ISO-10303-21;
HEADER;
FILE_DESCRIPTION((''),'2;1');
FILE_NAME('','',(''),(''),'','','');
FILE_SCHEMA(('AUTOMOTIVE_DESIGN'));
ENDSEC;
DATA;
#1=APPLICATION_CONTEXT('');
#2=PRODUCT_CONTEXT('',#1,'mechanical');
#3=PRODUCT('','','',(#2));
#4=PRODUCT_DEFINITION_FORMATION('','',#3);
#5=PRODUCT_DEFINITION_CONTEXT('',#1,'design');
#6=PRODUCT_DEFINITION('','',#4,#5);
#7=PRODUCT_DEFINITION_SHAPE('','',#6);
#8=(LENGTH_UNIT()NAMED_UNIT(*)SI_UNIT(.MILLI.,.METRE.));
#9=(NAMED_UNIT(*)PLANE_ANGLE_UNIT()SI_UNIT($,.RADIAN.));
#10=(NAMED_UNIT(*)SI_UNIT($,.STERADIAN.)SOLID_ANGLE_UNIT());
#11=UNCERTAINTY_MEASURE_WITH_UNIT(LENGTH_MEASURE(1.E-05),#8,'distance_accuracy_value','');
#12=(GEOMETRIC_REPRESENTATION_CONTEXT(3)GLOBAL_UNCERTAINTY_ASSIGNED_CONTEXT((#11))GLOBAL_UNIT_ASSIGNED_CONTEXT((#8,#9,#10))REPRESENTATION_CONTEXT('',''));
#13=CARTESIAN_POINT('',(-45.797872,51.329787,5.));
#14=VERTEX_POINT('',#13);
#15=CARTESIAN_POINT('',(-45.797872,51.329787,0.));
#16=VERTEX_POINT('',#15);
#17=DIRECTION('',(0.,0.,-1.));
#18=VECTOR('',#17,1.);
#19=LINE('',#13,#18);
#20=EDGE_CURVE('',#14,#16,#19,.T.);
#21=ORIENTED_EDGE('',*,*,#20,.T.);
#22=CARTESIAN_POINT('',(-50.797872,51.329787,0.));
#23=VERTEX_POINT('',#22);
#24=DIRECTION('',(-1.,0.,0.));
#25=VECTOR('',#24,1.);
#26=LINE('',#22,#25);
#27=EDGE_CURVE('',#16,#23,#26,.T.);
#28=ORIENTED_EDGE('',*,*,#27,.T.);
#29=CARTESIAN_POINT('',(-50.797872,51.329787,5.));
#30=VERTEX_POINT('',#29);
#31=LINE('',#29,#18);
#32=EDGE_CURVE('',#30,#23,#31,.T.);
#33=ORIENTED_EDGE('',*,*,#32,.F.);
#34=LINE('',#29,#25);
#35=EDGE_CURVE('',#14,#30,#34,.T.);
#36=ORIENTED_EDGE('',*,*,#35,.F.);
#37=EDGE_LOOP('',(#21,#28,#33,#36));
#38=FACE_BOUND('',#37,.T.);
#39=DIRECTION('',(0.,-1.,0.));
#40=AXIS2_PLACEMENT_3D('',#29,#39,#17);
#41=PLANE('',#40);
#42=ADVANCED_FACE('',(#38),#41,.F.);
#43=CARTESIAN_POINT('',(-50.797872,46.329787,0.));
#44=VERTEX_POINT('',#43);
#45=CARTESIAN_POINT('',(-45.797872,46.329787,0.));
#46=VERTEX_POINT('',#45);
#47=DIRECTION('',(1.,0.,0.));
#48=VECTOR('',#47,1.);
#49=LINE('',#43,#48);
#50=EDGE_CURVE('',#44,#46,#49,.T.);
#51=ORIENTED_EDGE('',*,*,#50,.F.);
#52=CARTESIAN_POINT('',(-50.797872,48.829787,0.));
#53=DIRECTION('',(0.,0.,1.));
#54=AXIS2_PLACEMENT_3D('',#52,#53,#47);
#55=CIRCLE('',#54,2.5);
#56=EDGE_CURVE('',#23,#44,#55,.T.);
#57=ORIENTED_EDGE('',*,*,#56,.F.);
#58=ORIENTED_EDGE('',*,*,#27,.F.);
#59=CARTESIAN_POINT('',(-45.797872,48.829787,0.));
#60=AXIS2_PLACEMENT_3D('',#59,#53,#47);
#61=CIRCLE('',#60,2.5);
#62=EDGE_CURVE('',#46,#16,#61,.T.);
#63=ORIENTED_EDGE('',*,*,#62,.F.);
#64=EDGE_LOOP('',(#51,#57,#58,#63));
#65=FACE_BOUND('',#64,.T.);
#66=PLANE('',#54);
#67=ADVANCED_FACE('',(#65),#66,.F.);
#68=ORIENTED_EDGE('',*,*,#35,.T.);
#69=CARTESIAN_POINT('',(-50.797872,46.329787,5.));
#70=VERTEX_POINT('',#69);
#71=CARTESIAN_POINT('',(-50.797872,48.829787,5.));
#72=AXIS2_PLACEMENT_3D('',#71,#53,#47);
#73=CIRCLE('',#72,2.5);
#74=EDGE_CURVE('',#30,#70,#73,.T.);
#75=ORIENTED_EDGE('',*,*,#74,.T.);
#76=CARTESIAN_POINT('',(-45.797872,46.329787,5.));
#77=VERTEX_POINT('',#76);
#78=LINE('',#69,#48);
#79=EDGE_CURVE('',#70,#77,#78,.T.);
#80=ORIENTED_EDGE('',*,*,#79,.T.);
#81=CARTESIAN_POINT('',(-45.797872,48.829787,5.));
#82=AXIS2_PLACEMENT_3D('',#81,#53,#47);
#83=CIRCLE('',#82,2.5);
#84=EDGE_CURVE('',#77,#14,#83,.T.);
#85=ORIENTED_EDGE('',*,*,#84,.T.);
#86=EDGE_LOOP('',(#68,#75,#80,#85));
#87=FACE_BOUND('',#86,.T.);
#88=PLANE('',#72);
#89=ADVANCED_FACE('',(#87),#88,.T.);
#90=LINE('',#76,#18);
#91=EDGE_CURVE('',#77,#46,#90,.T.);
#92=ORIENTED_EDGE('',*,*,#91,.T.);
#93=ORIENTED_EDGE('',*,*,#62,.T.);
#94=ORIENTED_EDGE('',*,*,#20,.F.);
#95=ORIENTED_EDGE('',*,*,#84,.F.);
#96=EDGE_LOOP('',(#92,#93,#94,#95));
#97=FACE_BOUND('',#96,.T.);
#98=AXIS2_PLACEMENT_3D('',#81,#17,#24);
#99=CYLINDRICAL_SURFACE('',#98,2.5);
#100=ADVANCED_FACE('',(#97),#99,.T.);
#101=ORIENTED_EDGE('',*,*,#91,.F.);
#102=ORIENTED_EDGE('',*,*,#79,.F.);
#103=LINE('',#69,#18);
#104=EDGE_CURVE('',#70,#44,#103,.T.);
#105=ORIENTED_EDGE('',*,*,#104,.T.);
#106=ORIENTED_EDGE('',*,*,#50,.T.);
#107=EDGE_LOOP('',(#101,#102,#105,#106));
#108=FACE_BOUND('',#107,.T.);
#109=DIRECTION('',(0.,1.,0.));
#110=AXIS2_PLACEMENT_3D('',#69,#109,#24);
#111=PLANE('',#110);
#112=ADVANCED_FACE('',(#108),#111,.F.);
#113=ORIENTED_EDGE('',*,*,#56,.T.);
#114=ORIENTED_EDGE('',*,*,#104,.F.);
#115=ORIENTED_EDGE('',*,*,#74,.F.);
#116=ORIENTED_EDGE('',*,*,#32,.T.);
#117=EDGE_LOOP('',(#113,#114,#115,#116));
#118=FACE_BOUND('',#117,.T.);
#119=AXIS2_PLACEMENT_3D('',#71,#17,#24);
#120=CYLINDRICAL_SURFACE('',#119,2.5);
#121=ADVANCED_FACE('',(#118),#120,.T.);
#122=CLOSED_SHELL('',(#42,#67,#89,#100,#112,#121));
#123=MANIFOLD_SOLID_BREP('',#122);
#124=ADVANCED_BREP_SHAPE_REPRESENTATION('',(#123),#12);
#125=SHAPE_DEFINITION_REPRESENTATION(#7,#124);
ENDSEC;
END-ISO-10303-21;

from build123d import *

# Parameters (mm, degrees)
EXTRUDE_1_DEPTH = 5


with BuildPart() as part:
    # 草图1 → 凸台-拉伸1 (new body)
    with BuildSketch(Plane.XY):
        with BuildLine():
            Line((-50.79787234, 51.329787234), (-45.79787234, 51.329787234))
            ThreePointArc((-45.79787234, 51.329787234), (-43.29787234, 48.829787234), (-45.79787234, 46.329787234))
            Line((-45.79787234, 46.329787234), (-50.79787234, 46.329787234))
            ThreePointArc((-50.79787234, 46.329787234), (-53.29787234, 48.829787234), (-50.79787234, 51.329787234))
        make_face()
    extrude(amount=EXTRUDE_1_DEPTH)


solid = part.part
